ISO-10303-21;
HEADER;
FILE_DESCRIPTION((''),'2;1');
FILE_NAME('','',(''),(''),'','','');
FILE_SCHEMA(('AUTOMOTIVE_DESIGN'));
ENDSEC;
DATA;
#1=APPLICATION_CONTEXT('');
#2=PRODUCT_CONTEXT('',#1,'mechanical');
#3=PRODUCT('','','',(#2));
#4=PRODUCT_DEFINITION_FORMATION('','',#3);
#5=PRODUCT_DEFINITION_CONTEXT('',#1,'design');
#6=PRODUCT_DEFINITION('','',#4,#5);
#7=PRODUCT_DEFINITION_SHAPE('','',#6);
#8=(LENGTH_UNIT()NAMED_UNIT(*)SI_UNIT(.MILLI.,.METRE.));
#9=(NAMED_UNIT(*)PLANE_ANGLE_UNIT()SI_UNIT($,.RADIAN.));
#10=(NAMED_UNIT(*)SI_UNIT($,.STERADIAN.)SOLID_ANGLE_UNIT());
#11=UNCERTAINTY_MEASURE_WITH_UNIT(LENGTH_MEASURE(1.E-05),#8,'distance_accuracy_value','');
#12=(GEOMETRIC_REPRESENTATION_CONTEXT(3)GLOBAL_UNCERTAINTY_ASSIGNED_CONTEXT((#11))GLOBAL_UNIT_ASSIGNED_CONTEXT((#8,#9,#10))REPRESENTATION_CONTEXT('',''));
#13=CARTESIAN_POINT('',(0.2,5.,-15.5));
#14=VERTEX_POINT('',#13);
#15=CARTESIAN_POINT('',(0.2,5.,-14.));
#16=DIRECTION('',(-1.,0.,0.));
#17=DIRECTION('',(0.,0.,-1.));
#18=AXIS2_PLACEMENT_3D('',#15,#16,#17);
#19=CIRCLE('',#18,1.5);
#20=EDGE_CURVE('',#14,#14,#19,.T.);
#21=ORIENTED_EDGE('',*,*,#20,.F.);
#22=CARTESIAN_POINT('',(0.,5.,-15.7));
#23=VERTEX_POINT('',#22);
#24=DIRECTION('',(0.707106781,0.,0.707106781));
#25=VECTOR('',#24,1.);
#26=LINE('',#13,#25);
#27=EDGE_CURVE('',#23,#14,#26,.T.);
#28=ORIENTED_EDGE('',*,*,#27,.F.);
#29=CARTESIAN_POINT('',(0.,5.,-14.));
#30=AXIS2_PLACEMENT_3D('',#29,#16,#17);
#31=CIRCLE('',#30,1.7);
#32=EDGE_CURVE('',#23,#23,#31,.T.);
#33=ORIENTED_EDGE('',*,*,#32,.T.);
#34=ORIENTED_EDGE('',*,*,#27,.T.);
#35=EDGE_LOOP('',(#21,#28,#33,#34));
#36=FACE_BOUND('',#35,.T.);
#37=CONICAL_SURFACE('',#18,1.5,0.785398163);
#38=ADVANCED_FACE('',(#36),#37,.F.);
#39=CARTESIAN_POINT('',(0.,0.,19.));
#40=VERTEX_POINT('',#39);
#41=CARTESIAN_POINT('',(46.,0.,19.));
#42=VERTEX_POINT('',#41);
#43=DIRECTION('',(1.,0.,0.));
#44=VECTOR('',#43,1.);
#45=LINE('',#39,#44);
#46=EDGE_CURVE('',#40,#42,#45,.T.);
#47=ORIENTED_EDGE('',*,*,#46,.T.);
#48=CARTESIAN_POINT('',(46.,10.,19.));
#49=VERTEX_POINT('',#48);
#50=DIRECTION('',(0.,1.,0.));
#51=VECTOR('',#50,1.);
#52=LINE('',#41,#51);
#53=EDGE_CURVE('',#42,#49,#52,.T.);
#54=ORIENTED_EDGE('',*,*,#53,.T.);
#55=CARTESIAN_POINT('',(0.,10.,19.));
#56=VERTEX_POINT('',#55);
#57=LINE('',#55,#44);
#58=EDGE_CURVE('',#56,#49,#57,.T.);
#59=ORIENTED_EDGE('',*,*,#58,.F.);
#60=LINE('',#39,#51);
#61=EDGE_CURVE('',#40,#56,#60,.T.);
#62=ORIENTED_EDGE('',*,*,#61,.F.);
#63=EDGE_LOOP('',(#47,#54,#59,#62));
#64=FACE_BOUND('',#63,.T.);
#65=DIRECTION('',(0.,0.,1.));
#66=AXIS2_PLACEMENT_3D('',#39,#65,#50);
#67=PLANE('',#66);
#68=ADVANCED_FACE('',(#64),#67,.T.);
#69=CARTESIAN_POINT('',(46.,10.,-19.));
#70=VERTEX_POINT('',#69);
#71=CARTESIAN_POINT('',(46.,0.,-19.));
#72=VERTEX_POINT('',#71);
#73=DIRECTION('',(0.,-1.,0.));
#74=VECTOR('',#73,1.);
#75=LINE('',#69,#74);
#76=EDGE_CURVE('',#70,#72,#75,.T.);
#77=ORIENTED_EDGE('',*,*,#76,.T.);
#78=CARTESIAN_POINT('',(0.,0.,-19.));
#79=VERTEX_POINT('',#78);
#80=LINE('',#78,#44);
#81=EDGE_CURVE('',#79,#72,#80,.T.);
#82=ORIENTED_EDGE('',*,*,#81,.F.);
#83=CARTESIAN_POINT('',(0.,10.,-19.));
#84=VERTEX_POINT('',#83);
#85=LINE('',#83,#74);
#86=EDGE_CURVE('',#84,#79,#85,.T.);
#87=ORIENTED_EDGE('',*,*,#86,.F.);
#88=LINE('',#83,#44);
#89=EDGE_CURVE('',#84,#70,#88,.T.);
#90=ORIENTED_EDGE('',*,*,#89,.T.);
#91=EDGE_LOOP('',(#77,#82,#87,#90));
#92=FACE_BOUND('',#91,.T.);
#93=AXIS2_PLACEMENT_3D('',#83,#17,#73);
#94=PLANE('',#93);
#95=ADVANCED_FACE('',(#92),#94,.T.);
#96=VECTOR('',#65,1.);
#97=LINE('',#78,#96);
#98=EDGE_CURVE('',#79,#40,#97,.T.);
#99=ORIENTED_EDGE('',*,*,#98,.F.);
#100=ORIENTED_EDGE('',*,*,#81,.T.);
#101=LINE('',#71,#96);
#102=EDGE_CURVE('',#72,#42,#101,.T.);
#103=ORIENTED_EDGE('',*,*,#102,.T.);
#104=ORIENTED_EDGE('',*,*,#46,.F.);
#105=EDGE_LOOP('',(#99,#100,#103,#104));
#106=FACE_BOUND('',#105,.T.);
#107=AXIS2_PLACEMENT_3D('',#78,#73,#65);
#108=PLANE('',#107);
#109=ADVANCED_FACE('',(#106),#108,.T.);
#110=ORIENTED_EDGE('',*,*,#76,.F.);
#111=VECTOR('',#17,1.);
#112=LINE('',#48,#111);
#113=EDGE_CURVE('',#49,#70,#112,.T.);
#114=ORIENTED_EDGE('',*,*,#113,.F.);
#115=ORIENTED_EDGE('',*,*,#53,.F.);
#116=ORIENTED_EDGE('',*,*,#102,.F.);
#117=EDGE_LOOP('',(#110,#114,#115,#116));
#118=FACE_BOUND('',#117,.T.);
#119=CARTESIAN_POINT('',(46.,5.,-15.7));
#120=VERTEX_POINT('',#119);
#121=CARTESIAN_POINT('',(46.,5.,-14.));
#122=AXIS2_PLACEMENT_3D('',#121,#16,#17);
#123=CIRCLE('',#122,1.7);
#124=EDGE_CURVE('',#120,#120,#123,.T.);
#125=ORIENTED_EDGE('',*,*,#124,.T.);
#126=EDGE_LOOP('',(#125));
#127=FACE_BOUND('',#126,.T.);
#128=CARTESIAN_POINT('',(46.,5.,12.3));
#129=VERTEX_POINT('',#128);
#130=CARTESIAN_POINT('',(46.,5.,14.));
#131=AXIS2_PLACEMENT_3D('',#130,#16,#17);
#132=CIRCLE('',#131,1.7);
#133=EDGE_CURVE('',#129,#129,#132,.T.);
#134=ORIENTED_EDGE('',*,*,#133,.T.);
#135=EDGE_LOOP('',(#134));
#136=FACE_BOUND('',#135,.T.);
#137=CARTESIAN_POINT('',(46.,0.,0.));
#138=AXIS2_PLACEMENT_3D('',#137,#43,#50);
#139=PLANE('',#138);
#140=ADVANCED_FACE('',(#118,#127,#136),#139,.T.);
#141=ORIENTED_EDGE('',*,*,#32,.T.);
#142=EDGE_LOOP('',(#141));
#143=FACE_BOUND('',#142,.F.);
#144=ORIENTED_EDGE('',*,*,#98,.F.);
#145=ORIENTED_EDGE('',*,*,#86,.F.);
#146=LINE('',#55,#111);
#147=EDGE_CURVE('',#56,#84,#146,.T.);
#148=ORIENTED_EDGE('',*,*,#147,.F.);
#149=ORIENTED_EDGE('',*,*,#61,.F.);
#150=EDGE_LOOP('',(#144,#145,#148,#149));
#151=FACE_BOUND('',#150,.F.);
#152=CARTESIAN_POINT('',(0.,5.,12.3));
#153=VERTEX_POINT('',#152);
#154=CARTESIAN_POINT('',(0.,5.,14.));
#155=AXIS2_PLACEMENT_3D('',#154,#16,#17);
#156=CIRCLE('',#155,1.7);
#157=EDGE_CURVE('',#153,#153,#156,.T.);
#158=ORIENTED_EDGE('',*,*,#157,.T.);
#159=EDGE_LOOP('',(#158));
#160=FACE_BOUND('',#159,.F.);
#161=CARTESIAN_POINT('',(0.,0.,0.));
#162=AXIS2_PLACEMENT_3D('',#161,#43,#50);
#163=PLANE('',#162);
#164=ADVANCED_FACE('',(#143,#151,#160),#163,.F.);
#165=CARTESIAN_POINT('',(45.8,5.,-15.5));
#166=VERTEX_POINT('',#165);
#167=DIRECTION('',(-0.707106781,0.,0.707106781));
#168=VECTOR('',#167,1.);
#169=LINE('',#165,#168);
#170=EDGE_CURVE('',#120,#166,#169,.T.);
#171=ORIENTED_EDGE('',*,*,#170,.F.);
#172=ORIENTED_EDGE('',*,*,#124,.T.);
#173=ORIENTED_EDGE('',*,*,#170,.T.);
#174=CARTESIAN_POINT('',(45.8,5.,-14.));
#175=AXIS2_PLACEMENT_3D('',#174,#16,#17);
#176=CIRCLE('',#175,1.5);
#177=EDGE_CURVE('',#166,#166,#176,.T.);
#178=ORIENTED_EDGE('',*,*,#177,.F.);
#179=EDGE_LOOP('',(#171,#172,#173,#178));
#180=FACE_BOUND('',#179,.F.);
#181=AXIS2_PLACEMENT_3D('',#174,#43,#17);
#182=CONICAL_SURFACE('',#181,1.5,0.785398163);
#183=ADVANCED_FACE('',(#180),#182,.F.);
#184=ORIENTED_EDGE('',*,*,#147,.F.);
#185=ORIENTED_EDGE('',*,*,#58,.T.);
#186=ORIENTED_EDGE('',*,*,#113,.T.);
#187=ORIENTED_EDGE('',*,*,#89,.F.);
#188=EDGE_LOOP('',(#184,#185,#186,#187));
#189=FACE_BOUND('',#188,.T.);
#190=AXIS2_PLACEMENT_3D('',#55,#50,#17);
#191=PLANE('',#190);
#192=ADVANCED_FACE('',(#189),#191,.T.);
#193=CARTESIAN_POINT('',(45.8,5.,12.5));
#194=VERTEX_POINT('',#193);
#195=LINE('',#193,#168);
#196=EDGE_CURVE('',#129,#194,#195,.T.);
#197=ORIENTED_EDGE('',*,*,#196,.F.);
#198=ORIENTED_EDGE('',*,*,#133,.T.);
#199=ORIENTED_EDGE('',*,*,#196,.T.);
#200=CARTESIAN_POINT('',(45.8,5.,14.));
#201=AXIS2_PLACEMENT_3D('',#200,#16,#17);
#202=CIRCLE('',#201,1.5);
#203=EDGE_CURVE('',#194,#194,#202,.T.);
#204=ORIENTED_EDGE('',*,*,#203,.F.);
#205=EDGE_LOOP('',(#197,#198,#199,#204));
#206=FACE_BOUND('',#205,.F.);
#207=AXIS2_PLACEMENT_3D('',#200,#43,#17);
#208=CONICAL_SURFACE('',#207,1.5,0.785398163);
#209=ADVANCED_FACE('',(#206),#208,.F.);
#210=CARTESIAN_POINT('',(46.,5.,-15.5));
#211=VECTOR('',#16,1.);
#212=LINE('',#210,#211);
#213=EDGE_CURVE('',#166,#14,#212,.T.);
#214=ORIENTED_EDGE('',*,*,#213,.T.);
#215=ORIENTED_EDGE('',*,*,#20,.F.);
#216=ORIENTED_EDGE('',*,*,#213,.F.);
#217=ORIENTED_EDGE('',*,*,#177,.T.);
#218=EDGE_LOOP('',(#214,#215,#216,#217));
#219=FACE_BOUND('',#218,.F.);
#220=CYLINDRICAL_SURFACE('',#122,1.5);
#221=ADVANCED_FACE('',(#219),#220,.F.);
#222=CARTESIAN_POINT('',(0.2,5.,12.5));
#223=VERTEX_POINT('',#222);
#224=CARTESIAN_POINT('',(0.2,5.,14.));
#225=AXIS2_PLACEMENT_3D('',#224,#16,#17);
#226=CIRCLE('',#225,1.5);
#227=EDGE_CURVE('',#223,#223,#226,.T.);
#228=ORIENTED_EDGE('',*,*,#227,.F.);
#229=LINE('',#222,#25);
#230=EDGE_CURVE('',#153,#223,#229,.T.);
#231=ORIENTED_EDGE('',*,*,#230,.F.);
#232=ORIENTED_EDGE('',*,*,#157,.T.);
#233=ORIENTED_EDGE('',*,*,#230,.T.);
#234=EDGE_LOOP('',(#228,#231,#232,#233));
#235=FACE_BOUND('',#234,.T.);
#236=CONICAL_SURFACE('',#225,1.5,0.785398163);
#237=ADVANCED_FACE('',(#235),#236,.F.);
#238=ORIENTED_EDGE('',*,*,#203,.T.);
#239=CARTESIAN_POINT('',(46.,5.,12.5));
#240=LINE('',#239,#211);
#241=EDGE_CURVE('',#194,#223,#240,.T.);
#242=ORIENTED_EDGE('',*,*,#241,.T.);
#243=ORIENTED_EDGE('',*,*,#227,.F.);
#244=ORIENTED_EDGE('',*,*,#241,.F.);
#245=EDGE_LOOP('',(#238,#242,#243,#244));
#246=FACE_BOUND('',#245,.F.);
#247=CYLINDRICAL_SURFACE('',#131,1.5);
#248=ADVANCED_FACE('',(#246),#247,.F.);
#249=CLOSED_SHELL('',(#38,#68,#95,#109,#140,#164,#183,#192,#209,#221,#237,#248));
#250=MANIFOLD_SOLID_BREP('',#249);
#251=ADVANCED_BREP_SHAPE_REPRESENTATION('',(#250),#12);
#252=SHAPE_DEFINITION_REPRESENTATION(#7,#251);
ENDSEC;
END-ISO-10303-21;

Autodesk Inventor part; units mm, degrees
ref_plane "YZ Plane" through (0, 0, 0) normal (1, 0, 0) x (0, 1, 0)
ref_plane "XZ Plane" through (0, 0, 0) normal (0, 1, 0) x (-1, 0, 0)
ref_plane "XY Plane" through (0, 0, 0) normal (0, 0, 1) x (1, 0, 0)
sketch "Эскиз1" plane through (0, 0, 0) normal (1, 0, 0) x (0, 1, 0)
  line L0 (0, 19) -> (10, 19)
  line L1 (10, 19) -> (10, -19)
  line L2 (10, -19) -> (0, -19)
  line L3 (0, -19) -> (0, 19)
  line L4 (-2, 0) -> (12, 0) construction
  line L5 (0, -26.6) -> (0, 26.6) construction
  point P0 (0, 0)
  dimension "d0" = 10
  dimension "d1" = 38
extrude "Выдавливание1" add sketch "Эскиз1" along normal blind 46
sketch "Эскиз2" plane through (46, 0, 0) normal (1, 0, 0) x (0, 0, -1)
  line L0 (19, 10) -> (-19, 10) projected
  line L1 (-19, 10) -> (-19, 0) projected
  line L2 (19, 0) -> (19, 10) projected
  line L3 (0, -2) -> (0, 12) construction
  point P0 (0, 0)
  point P1 (-14, 5)
  point P2 (14, 5)
  dimension "d4" = 5
  dimension "d5" = 5
  dimension "d6" = 5
hole "Отверстие1" at (46, 5, 14) at (46, 5, -14) direction (-1, 0, 0) diameter 3 depth 60
chamfer "Фаска1" distance 0.2 angle 45 4 edges at (46, 5, -12.5) (46, 5, 15.5) (0, 5, -12.5) (0, 5, 15.5)
equation "\"d6\" = d5"
properties part number "Стенкка для ковнейера"
